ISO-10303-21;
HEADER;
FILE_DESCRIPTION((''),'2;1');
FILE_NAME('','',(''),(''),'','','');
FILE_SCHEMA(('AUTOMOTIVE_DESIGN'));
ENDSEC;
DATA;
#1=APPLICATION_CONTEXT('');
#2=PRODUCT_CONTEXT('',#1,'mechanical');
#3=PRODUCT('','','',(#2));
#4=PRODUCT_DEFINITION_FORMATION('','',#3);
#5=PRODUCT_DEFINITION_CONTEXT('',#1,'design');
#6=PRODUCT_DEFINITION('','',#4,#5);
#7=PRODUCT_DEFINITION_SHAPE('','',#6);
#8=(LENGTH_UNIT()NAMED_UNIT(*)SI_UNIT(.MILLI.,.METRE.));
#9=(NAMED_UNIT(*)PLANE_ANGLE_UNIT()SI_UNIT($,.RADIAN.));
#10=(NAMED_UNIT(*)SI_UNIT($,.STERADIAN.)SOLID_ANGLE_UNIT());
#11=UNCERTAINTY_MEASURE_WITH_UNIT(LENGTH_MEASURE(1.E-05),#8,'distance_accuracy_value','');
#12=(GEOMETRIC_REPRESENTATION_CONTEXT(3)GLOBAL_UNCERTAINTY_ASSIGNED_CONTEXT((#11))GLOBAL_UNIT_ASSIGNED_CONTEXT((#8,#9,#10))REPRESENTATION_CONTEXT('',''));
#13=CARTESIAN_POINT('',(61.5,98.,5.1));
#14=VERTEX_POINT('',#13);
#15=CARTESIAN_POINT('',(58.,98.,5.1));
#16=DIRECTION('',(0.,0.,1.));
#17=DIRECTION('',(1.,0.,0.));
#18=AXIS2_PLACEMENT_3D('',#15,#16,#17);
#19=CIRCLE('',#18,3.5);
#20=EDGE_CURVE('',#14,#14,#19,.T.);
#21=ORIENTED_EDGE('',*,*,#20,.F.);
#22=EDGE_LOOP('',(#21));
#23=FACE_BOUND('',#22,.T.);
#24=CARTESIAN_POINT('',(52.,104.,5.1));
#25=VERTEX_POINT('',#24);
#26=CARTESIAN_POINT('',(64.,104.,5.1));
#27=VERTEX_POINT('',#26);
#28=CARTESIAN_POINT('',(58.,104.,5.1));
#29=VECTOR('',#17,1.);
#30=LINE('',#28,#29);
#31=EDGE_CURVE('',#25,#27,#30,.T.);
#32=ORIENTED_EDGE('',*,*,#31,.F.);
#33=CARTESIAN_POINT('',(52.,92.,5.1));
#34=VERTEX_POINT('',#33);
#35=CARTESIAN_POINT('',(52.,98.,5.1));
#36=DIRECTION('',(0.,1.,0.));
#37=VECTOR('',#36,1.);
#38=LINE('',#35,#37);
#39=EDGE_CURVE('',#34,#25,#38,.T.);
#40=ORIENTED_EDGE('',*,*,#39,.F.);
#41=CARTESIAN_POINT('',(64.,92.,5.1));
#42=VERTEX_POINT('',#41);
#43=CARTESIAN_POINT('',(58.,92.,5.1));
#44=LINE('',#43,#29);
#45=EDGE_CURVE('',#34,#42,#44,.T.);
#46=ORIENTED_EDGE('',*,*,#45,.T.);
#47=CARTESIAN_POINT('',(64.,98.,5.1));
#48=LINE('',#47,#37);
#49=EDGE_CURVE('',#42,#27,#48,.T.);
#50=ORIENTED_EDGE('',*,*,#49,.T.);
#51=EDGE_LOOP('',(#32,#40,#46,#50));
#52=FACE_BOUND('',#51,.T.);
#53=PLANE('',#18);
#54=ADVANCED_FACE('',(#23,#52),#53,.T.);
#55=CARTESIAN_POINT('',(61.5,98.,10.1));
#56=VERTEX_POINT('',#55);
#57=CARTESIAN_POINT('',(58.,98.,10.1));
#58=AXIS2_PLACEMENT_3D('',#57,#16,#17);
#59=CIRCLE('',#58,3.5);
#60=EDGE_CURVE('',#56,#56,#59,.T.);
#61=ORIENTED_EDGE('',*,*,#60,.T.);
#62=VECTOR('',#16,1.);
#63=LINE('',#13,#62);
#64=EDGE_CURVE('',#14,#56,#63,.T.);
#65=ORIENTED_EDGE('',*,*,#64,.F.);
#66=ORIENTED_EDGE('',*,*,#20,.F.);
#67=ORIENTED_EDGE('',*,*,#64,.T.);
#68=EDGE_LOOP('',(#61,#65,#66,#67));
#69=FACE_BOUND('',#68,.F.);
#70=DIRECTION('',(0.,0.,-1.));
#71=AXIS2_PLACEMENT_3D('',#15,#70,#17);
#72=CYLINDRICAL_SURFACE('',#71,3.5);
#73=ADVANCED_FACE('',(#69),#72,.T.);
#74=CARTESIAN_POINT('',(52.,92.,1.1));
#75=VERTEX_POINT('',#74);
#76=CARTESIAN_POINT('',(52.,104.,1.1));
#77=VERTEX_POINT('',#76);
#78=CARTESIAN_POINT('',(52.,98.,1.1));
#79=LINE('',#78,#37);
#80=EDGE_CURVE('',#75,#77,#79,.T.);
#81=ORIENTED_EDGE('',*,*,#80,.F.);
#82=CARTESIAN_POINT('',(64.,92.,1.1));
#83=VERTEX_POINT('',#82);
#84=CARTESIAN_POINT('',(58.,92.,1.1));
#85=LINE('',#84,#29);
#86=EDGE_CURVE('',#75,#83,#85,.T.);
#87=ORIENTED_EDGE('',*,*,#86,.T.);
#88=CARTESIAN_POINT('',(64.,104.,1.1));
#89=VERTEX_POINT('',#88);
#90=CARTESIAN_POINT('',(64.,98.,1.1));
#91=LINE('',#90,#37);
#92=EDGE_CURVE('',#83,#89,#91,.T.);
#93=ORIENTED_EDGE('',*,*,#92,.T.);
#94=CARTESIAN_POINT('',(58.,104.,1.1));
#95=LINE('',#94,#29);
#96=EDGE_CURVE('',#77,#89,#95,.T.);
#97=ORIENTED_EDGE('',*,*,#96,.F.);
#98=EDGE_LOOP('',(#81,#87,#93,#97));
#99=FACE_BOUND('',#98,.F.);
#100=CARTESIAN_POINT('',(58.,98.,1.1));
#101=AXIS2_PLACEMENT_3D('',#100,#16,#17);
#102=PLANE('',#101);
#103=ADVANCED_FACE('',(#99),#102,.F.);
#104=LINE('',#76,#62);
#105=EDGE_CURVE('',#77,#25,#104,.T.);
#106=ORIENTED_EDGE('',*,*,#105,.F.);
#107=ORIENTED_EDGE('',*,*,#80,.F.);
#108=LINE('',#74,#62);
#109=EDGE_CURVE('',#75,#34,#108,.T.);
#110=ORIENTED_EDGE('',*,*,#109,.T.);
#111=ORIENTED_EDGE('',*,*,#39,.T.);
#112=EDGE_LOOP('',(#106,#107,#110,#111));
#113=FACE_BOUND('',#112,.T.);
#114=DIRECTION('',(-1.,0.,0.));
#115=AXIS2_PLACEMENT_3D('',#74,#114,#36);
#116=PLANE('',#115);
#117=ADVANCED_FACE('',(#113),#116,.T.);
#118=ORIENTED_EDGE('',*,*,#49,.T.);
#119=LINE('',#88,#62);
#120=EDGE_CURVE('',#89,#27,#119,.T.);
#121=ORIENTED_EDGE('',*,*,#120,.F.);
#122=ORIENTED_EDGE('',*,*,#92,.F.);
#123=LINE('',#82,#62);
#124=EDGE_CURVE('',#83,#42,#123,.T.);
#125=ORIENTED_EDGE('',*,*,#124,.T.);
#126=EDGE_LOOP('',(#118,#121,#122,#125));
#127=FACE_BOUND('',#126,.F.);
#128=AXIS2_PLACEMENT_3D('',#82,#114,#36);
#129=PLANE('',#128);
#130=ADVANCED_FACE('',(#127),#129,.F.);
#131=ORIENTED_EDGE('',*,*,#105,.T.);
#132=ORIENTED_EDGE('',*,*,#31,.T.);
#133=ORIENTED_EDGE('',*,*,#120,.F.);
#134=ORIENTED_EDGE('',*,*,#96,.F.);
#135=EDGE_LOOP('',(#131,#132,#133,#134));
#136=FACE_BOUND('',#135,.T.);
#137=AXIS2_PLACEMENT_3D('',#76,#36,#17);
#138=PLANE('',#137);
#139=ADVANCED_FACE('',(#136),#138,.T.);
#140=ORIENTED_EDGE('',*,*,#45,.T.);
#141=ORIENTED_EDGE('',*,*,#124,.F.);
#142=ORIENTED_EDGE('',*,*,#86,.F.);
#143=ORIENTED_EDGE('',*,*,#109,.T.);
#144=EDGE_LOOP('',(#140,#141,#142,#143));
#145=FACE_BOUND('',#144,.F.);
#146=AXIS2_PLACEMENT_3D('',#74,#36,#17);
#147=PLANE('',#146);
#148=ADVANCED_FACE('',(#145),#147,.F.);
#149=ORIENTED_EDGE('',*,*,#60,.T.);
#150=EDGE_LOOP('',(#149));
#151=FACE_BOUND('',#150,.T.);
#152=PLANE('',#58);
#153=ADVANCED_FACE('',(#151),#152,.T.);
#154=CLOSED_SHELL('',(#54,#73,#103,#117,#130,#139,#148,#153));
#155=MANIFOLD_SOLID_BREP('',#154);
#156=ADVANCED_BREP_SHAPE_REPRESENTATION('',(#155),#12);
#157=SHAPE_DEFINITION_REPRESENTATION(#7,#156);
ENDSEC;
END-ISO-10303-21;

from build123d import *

# Parameters (mm, degrees)
BOX009_W          = 12
BOX009_H          = 12
BOX009_DEPTH      = 4
CYLINDER003_R     = 3.5
CYLINDER003_DEPTH = 5


with BuildPart() as butbase:
    # Box009 → Box009 (new body)
    with BuildSketch(Plane.XY):
        with Locations((6, 6)):
            Rectangle(BOX009_W, BOX009_H)
    extrude(amount=BOX009_DEPTH)


with BuildPart() as button:
    # Cylinder003 → Cylinder003 (new body)
    with BuildSketch(Plane(origin=(6, 6, 4), x_dir=(1, 0, 0), z_dir=(0, 0, 1))):
        Circle(CYLINDER003_R)
    extrude(amount=CYLINDER003_DEPTH)

    # Fusion001: union butbase
    add(butbase.part)


with BuildPart() as button_1:
    # Fusion001 placement: moved
    add(button.part.moved(Location((52, 92, 1.1))))


solid = button_1.part
